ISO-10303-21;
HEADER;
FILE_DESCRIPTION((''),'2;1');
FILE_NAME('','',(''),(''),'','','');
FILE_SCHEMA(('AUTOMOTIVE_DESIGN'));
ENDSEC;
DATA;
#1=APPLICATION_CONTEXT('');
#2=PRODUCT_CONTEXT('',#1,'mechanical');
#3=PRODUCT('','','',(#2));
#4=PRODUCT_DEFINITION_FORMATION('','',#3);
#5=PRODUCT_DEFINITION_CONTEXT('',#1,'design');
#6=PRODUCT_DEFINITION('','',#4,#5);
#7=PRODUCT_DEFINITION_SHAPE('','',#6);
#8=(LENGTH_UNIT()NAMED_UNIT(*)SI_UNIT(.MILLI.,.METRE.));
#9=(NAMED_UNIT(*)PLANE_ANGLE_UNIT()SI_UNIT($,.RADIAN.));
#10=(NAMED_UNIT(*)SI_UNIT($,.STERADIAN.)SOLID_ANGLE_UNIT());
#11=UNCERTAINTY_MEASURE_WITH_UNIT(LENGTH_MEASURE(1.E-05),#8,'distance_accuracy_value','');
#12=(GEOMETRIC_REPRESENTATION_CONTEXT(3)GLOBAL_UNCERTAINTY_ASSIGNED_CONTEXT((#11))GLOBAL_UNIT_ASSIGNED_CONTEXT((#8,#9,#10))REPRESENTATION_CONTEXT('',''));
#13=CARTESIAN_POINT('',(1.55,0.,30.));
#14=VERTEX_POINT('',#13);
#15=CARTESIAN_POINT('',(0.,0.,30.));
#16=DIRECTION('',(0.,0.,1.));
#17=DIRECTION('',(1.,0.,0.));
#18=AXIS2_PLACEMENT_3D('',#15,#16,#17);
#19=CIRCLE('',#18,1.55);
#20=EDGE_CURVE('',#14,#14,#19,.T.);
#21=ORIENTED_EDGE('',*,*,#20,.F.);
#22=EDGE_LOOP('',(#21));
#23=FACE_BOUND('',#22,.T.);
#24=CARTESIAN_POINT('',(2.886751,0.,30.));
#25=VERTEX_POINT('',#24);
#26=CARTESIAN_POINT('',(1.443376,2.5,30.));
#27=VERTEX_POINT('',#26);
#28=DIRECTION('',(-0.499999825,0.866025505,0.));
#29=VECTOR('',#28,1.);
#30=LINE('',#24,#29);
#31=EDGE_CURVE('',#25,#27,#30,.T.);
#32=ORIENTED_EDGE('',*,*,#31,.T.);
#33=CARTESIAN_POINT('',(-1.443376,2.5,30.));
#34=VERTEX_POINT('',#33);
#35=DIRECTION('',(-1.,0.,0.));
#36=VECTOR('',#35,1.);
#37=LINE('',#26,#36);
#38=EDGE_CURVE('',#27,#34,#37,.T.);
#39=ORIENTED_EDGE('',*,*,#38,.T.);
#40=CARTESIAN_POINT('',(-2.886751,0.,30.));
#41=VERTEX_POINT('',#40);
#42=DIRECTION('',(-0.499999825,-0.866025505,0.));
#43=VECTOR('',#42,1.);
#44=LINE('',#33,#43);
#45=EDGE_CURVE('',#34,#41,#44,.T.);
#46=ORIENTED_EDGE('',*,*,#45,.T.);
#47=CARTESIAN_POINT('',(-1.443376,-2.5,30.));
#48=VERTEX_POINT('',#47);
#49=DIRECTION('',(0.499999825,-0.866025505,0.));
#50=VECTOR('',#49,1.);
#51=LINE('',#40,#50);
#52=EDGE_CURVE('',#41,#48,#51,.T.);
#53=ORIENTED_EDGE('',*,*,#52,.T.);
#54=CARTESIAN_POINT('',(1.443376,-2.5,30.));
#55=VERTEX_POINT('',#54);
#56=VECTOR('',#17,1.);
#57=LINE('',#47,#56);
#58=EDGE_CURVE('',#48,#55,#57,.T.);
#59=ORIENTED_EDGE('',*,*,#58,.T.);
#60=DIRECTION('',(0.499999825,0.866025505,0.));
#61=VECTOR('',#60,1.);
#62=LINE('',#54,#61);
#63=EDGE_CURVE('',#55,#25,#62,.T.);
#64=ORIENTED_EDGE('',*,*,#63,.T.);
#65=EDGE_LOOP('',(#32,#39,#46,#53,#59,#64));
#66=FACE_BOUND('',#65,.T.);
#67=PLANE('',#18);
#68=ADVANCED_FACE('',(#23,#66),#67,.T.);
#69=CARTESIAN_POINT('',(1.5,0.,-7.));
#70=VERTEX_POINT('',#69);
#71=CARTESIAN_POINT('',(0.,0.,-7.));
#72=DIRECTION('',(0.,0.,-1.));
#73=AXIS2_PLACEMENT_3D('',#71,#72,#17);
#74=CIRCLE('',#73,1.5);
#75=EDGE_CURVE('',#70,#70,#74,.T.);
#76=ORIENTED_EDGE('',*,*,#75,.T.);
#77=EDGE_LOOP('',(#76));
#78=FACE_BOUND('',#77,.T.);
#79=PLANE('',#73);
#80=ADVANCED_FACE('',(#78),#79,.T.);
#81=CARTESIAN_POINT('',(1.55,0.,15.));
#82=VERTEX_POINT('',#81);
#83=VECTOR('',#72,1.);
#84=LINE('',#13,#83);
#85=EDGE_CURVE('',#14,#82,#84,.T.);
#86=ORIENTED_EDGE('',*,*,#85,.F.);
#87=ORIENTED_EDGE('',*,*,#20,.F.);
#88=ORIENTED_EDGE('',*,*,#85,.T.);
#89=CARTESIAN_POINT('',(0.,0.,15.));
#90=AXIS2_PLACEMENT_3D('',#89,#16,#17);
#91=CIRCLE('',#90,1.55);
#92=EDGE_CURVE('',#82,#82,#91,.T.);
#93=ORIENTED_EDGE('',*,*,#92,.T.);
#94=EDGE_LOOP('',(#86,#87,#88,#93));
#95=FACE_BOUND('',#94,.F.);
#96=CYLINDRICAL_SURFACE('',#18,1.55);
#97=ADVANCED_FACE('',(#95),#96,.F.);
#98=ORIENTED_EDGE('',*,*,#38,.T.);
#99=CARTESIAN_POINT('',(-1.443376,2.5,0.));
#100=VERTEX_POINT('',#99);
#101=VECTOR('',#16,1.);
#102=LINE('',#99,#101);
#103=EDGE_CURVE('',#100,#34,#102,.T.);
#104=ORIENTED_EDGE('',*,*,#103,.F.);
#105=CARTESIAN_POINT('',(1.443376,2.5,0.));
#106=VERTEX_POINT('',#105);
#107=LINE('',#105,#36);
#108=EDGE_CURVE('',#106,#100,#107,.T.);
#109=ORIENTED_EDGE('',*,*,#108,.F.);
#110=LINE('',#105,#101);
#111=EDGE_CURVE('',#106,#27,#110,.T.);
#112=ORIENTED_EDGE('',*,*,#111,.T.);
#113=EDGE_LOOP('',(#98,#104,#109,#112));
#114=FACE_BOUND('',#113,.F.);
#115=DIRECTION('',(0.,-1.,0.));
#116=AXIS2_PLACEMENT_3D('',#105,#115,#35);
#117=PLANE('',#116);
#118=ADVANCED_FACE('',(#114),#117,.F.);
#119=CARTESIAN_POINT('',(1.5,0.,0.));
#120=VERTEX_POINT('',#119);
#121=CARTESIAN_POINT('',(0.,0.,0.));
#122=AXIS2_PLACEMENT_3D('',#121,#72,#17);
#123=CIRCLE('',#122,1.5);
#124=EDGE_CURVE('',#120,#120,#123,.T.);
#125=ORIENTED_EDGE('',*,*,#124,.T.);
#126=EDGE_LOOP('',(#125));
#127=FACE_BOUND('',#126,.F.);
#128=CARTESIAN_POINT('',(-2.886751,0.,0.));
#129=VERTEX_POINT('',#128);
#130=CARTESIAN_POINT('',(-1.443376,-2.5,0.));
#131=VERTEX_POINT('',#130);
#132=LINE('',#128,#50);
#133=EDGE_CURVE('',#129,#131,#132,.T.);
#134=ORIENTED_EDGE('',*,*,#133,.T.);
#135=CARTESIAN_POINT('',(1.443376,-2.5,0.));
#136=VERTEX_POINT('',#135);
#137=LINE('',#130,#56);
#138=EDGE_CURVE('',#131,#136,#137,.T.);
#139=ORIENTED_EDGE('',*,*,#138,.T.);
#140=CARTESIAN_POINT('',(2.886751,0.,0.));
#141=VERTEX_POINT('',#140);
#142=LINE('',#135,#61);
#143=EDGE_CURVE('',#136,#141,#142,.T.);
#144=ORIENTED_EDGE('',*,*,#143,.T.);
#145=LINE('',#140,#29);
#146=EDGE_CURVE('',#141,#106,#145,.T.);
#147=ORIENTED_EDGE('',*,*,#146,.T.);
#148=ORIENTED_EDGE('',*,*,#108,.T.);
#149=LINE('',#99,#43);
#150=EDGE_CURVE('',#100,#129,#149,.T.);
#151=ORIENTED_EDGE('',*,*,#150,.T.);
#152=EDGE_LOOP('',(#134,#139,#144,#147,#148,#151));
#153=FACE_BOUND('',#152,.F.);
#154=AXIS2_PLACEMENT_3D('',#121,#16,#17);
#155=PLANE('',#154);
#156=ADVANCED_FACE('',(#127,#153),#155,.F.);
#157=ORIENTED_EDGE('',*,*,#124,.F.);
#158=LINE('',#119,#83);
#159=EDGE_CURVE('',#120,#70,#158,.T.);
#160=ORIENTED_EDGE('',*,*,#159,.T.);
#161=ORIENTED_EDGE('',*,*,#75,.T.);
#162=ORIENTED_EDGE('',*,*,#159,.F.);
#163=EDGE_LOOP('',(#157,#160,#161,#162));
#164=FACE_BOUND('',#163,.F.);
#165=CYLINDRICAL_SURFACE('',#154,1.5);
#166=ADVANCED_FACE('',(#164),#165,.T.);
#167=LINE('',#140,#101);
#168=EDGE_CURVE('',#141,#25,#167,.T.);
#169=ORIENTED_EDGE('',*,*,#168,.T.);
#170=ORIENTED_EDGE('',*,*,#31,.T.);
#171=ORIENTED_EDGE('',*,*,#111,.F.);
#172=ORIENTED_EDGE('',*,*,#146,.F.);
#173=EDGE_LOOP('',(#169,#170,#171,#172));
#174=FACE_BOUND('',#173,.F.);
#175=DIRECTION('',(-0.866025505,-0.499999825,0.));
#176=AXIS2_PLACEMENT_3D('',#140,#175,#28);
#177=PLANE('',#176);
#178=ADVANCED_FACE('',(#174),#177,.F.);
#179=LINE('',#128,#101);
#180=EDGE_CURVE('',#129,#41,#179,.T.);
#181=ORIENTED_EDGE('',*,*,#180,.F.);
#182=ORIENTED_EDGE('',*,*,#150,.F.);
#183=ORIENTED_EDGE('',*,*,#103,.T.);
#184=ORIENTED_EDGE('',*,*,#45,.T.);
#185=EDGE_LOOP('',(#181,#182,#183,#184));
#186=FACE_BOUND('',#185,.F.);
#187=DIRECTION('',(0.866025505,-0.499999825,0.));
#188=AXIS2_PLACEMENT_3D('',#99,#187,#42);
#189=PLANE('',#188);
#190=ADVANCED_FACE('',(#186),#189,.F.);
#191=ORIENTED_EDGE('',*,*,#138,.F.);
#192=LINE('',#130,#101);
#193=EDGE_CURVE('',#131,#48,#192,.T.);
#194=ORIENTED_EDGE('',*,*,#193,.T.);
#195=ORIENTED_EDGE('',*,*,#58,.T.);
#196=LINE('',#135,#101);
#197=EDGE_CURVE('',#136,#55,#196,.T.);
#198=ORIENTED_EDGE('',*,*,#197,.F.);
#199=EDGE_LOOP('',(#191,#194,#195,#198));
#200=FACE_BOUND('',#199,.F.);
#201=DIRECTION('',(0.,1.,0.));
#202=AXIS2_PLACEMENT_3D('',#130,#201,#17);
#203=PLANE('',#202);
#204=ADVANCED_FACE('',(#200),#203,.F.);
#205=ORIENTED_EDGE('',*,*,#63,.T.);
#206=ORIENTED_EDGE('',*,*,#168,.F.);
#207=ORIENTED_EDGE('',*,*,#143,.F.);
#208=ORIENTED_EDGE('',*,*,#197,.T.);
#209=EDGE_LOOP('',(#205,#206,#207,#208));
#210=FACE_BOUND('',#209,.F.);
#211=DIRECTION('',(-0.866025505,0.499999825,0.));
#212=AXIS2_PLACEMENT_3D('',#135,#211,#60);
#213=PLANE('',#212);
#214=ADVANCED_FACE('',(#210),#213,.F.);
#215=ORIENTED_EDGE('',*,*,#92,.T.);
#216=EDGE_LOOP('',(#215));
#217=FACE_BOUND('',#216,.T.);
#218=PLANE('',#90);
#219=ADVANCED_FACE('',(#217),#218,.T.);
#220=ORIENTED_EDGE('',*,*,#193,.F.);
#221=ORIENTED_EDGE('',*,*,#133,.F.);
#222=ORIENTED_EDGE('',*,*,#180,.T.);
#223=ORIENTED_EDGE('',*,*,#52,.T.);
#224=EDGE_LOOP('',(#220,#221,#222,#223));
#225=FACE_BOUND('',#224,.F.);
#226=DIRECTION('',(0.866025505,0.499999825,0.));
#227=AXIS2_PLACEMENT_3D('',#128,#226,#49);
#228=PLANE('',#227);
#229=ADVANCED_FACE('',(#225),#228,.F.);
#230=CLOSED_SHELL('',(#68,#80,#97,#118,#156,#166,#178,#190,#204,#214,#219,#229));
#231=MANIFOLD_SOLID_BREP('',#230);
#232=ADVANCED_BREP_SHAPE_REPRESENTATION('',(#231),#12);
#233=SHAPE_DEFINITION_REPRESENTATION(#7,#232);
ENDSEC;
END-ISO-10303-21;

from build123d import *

# Parameters (mm, degrees)
PAD_DEPTH    = 30
SKETCH001_R  = 1.55
POCKET_DEPTH = 15
SKETCH002_R  = 1.5
PAD001_DEPTH = 7


with BuildPart() as part:
    # Sketch → Pad (new body)
    with BuildSketch(Plane.XY):
        Polygon((2.886751, 0), (1.443376, 2.5), (-1.443376, 2.5), (-2.886751, 0), (-1.443376, -2.5), (1.443376, -2.5), align=None)
    extrude(amount=PAD_DEPTH)

    # Sketch001 (on Face8 of Pad) → Pocket (cut)
    with BuildSketch(Plane.XY.offset(30)):
        Circle(SKETCH001_R)
    extrude(amount=-POCKET_DEPTH, mode=Mode.SUBTRACT)

    # Sketch002 (on Face4 of Pocket) → Pad001 (join)
    with BuildSketch(Plane(origin=(0, 0, 0), x_dir=(1, 0, 0), z_dir=(0, 0, -1))):
        Circle(SKETCH002_R)
    extrude(amount=PAD001_DEPTH)


solid = part.part
